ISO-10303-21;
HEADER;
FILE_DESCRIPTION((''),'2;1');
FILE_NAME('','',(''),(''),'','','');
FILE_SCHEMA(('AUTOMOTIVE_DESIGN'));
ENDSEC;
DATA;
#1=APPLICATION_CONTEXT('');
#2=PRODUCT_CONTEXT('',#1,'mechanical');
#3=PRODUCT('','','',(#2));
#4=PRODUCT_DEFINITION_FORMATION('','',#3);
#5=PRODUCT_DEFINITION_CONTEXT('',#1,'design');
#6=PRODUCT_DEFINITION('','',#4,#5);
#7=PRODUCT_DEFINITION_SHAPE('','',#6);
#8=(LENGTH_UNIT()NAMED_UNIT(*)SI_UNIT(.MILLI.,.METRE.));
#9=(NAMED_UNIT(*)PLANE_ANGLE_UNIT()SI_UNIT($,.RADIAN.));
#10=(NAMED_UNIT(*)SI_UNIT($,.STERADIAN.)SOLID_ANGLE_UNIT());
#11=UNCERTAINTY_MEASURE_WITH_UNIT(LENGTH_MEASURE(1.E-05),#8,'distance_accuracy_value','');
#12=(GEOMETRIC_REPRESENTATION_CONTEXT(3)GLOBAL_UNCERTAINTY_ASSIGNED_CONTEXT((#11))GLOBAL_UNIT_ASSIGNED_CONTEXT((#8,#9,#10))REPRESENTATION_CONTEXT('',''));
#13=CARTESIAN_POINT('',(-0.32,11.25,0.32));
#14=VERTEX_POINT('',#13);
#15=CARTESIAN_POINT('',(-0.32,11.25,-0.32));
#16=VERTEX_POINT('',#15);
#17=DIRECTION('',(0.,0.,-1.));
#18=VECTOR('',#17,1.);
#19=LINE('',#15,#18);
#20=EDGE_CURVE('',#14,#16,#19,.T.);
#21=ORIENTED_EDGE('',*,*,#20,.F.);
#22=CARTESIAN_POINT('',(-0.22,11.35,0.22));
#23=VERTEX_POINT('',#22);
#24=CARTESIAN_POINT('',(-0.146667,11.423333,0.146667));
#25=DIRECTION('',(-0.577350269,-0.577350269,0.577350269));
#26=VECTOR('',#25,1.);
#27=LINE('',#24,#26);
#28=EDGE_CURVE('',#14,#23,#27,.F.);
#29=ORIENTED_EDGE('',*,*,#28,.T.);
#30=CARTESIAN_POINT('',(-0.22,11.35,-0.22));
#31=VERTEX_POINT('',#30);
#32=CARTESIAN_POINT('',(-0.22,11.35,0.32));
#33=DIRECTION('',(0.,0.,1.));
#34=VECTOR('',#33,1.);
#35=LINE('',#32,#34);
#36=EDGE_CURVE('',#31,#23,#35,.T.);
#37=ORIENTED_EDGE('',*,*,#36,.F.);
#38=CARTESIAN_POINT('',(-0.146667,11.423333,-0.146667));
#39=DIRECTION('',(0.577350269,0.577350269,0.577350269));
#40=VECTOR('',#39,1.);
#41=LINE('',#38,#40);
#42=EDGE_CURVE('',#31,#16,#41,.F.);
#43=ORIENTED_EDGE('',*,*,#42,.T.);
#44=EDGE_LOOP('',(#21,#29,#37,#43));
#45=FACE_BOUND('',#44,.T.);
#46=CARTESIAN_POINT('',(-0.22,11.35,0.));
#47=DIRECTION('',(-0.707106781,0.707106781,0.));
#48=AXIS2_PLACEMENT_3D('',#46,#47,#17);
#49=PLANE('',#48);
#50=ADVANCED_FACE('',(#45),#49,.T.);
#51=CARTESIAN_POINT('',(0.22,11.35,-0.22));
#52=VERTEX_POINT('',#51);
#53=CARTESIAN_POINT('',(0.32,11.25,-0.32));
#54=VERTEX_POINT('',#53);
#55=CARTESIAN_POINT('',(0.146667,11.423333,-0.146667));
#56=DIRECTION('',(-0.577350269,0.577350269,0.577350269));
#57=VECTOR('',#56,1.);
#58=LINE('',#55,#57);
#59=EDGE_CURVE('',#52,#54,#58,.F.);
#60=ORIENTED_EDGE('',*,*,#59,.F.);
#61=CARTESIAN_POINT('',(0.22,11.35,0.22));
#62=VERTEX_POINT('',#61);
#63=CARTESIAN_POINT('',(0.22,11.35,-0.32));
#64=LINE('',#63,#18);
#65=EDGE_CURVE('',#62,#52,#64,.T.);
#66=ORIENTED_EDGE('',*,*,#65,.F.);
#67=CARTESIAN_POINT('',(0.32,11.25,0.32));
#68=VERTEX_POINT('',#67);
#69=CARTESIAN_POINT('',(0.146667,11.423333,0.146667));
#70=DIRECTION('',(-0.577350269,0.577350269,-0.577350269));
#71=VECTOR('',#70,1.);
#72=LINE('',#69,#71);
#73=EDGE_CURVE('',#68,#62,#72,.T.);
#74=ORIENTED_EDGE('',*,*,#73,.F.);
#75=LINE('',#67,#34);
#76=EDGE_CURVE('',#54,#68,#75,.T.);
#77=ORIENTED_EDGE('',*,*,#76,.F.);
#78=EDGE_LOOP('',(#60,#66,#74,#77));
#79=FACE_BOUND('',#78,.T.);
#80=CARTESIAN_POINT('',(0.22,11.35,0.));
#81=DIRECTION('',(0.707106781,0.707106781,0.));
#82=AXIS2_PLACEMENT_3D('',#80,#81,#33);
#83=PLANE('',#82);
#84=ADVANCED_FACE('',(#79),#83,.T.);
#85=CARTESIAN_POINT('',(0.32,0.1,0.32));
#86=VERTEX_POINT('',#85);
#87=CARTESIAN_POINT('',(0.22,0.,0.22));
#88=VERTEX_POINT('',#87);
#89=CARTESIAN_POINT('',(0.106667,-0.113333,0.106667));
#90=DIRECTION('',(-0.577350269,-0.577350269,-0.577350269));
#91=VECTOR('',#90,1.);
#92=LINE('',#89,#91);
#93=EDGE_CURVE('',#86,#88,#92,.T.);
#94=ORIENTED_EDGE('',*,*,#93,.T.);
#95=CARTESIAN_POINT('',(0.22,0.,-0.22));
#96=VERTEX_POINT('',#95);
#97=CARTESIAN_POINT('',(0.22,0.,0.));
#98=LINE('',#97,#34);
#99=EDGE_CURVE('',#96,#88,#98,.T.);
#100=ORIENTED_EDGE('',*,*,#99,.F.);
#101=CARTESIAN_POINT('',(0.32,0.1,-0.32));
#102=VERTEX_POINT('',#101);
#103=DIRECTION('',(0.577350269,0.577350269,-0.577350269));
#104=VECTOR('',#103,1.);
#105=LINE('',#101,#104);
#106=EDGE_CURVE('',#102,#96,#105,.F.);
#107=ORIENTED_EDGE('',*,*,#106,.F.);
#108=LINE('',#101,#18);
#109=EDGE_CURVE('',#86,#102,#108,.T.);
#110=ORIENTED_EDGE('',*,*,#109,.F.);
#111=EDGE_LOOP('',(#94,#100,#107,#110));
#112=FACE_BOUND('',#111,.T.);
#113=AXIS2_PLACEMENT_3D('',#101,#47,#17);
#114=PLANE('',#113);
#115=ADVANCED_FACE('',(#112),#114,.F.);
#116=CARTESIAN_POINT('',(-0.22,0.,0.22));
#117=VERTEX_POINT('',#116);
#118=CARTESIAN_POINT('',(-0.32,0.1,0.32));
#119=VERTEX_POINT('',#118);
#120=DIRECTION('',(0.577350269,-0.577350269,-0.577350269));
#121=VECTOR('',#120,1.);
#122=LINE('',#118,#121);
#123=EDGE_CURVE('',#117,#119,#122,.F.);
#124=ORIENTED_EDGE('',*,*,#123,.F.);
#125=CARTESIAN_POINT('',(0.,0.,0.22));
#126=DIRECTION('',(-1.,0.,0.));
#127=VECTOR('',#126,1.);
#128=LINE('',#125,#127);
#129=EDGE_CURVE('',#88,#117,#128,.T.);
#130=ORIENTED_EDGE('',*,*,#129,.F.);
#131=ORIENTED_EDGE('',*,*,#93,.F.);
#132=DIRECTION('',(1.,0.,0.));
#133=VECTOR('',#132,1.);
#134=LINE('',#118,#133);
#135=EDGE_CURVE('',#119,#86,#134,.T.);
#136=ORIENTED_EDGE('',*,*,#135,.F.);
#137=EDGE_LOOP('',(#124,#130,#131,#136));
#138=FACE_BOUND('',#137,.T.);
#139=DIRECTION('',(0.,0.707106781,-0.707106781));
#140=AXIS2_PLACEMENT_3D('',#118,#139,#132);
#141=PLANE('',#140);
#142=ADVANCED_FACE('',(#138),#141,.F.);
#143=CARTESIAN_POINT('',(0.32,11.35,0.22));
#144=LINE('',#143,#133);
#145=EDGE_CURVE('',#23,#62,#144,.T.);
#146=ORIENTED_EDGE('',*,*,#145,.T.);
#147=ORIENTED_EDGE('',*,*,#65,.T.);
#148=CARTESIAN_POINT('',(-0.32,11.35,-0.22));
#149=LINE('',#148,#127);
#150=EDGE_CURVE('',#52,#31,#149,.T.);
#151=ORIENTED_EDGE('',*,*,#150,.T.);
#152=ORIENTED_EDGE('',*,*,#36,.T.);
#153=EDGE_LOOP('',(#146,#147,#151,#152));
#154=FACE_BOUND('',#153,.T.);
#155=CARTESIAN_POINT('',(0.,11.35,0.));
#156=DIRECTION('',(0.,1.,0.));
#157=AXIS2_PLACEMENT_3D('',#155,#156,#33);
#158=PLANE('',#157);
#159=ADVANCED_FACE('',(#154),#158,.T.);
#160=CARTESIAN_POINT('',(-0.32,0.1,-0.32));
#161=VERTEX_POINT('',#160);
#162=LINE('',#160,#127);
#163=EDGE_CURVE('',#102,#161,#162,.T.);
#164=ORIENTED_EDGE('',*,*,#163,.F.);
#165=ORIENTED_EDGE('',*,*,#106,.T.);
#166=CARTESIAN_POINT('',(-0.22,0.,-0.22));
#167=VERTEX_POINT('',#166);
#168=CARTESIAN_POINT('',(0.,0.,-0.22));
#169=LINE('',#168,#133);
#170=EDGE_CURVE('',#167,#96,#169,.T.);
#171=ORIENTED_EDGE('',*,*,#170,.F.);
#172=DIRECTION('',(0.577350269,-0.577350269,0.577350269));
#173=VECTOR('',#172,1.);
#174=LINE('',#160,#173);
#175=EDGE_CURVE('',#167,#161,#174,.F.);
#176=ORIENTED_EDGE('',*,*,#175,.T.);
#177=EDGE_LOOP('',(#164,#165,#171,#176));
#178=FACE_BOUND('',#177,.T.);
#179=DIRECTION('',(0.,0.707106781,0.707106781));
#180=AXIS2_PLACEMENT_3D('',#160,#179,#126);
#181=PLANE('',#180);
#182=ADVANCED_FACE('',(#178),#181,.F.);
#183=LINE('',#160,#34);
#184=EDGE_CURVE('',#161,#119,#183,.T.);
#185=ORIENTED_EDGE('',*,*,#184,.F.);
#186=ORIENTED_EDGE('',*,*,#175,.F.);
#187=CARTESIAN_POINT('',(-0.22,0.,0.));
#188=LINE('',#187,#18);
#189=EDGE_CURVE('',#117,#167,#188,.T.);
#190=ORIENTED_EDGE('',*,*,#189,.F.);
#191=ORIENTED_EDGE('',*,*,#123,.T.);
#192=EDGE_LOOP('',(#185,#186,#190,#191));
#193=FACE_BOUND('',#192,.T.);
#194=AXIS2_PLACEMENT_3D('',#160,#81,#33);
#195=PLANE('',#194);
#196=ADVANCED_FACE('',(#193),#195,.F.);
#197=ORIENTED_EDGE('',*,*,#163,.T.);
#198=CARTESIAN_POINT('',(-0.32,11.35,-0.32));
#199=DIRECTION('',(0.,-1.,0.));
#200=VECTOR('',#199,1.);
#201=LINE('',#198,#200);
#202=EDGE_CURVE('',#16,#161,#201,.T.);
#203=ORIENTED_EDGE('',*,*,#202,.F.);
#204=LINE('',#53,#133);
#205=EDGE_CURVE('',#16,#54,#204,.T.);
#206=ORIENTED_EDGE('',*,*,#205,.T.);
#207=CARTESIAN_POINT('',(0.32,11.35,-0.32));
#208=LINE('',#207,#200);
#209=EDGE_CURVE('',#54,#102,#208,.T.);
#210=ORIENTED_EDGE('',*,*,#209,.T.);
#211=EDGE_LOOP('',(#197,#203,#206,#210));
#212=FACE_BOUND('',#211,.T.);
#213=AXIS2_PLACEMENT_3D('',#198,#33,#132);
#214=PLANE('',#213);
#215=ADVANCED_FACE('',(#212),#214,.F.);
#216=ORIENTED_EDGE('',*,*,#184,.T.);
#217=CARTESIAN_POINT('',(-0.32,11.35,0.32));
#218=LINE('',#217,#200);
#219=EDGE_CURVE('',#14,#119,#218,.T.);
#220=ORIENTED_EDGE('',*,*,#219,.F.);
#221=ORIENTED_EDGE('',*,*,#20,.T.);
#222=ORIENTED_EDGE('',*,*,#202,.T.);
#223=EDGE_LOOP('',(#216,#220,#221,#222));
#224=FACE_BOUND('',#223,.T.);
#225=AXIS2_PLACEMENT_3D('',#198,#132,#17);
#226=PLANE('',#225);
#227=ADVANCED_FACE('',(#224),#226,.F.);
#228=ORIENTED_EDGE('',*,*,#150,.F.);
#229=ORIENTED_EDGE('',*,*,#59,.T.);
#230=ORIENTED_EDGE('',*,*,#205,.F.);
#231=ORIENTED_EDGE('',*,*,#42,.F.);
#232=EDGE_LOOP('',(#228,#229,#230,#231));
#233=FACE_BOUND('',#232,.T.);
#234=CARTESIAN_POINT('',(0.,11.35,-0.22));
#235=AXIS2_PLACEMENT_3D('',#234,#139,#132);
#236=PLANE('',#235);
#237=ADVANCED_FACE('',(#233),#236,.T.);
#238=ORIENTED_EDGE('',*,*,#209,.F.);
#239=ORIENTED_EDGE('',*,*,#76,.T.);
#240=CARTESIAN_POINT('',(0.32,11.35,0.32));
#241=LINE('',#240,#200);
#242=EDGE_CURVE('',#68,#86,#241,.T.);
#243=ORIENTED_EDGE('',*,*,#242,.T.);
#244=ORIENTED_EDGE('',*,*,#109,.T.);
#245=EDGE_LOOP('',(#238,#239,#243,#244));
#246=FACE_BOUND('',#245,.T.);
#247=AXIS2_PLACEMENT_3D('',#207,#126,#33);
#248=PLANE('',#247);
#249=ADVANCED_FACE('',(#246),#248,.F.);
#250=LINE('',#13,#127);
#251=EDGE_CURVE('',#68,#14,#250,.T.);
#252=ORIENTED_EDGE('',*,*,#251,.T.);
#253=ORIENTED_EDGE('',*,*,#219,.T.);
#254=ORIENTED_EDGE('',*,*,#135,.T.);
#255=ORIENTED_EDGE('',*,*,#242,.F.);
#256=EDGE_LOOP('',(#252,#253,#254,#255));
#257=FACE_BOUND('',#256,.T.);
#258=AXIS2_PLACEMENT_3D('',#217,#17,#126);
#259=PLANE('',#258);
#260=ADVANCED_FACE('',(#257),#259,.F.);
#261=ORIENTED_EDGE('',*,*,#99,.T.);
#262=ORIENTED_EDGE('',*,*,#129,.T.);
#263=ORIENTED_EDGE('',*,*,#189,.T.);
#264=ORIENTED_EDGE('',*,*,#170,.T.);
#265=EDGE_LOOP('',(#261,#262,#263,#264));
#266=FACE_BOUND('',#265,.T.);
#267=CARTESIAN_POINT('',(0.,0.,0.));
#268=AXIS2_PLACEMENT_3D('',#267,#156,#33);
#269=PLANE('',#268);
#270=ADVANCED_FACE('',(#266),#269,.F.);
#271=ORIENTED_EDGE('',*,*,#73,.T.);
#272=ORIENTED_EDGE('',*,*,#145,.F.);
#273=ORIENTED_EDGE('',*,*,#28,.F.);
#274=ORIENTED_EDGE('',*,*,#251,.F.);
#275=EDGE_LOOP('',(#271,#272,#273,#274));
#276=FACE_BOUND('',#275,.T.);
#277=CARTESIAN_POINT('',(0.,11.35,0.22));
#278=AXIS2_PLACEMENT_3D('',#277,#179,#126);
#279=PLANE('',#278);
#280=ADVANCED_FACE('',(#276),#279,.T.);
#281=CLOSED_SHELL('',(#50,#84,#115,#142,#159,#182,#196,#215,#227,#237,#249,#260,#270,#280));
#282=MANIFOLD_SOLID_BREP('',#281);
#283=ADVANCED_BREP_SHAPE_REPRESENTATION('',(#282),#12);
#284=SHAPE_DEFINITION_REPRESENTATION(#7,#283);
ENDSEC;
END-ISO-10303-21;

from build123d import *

# Parameters (mm, degrees)
SKETCH_1_W     = 0.64
SKETCH_1_H     = 0.64
CHAMFER_1_SIZE = 0.1


with BuildPart() as part:
    # По траектории1: sweep along a path in Эскиз2
    with BuildLine(Plane.XY) as sweep_1_path:
        Line((0, 0), (0, 11.35))
    # Эскиз1 → По траектории1 (sweep)
    with BuildSketch(Plane(origin=(0, 0, 0), x_dir=(1, 0, 0), z_dir=(0, 1, 0))):
        Rectangle(SKETCH_1_W, SKETCH_1_H)
    sweep(path=sweep_1_path.line)

    # Фаска1
    chamfer_1_edges = [part.edges().sort_by_distance(p)[0] for p in [
        (-0.32, 11.35, 0),
        (0, 11.35, 0.32),
        (0.32, 11.35, 0),
        (0, 0, 0.32),
        (-0.32, 0, 0),
        (0, 0, -0.32),
        (0.32, 0, 0),
        (0, 11.35, -0.32),
    ]]
    chamfer(chamfer_1_edges, length=CHAMFER_1_SIZE)


solid = part.part
